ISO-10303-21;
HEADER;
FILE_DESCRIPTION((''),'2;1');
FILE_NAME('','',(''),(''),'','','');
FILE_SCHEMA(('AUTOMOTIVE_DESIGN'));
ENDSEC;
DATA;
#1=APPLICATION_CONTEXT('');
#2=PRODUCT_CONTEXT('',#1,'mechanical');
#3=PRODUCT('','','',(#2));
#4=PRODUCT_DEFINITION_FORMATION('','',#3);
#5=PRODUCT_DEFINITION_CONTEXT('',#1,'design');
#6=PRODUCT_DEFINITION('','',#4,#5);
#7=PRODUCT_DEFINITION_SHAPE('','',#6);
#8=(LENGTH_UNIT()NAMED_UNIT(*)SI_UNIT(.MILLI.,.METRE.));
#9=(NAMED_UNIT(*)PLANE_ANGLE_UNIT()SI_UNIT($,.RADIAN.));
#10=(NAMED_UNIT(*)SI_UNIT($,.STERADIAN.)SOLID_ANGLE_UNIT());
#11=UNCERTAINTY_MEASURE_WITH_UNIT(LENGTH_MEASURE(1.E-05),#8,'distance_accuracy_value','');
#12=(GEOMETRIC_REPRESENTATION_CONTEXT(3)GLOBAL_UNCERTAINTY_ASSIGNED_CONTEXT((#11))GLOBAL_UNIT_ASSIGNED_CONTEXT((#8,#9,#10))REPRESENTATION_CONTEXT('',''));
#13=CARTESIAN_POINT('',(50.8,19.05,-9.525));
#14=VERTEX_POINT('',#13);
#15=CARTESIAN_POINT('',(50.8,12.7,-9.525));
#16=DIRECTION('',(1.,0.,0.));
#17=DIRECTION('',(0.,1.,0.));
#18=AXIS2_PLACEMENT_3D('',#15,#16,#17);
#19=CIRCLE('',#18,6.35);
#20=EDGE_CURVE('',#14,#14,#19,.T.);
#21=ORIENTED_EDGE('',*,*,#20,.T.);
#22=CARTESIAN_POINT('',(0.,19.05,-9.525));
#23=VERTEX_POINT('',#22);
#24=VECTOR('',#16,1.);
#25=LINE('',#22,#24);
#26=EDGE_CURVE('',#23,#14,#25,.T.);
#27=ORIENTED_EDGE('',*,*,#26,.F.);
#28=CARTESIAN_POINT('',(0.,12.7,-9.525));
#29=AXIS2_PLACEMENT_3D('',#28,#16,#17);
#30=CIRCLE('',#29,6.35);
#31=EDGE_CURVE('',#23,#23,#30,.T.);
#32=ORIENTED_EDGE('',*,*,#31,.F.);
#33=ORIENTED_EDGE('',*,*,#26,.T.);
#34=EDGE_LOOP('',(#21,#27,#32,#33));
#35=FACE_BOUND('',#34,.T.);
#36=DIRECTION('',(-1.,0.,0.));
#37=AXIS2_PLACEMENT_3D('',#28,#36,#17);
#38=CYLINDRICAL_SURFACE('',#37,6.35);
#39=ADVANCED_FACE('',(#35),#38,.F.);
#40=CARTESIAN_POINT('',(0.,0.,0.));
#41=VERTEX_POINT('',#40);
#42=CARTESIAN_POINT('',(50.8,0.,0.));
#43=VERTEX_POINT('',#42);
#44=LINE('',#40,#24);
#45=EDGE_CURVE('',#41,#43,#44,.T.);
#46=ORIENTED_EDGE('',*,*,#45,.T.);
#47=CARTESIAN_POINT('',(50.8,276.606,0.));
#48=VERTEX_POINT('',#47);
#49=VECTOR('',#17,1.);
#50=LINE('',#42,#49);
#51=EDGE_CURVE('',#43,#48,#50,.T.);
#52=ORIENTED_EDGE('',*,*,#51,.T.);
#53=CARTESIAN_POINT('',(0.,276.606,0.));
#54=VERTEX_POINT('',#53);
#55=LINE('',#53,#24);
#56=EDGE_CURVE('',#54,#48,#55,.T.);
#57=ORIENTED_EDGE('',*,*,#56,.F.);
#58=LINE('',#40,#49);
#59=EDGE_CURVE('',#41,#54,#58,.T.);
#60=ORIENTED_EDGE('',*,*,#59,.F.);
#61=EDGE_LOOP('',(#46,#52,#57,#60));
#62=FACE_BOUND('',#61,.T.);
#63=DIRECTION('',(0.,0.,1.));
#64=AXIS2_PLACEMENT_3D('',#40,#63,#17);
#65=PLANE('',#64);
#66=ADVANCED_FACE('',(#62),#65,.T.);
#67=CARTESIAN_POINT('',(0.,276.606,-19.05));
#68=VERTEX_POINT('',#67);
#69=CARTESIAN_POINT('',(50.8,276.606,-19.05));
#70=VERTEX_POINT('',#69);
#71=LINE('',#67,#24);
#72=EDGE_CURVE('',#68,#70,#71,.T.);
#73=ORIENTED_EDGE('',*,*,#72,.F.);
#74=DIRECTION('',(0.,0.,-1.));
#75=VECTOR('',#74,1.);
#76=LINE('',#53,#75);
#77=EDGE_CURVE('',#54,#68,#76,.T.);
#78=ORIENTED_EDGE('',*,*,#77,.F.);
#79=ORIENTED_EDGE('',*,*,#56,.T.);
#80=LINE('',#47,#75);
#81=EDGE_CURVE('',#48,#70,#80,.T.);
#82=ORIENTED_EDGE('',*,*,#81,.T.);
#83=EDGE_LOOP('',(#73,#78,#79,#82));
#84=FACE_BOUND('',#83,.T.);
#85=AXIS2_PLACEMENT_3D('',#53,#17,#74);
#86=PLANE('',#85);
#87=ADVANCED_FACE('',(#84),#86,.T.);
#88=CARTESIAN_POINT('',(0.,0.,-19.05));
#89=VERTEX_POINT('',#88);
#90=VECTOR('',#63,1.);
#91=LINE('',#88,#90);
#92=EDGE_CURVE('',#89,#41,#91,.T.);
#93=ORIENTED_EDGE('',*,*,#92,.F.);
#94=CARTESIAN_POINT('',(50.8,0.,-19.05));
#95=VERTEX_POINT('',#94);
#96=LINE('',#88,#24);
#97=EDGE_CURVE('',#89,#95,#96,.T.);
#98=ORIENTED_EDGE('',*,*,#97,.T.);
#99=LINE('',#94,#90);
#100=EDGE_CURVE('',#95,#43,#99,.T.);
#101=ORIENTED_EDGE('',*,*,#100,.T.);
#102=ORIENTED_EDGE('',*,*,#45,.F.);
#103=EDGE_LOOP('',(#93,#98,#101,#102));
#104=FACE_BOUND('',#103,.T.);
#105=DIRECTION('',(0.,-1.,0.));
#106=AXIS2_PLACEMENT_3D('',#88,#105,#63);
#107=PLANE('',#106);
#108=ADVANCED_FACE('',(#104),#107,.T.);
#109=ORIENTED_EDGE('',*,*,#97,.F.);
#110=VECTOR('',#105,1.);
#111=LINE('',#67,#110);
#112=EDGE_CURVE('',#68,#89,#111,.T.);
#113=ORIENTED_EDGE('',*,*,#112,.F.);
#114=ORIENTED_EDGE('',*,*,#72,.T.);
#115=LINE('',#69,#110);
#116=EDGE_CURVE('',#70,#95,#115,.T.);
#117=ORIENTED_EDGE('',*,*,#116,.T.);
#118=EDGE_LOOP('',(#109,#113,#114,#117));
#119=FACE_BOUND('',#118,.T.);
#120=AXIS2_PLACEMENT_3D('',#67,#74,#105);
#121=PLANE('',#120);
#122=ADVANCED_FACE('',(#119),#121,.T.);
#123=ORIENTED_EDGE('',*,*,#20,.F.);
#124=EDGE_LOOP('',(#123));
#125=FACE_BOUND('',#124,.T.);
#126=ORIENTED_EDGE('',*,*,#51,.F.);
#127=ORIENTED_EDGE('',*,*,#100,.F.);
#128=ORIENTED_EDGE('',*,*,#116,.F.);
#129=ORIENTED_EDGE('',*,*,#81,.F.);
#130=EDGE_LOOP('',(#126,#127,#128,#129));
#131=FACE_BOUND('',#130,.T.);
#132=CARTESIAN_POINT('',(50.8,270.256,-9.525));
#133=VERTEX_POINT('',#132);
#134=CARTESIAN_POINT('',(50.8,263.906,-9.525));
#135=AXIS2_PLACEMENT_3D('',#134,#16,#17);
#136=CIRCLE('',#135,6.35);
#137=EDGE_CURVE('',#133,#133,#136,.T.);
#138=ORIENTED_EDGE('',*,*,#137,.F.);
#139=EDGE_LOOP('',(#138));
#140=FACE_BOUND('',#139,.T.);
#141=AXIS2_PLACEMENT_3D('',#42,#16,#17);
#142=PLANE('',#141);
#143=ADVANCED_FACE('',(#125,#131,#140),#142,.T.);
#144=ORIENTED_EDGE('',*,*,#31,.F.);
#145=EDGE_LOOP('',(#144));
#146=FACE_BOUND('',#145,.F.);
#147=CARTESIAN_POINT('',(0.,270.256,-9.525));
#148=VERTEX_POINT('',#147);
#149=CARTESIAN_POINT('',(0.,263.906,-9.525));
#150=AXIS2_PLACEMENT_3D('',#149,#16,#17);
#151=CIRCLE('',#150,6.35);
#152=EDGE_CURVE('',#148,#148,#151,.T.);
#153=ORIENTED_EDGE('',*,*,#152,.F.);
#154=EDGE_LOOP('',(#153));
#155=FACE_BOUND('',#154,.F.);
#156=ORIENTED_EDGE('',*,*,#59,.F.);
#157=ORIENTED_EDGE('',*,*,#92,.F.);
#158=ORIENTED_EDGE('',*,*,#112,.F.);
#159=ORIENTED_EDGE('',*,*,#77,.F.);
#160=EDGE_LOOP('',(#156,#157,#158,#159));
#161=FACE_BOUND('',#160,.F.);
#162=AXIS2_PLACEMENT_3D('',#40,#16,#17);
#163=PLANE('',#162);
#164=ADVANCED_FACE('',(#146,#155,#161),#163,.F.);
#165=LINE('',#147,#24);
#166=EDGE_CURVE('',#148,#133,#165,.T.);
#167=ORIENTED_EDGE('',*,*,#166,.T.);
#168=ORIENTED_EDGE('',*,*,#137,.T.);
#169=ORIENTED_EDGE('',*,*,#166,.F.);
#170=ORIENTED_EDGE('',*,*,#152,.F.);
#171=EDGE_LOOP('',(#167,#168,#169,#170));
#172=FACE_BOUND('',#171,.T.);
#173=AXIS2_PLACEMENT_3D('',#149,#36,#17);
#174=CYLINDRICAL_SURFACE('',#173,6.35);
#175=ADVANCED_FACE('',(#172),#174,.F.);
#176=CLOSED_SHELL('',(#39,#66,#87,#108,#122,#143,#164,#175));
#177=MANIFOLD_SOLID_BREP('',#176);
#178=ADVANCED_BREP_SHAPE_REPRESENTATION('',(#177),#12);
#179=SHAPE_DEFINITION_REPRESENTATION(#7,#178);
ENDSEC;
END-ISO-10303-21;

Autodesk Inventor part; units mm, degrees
ref_plane "YZ Plane" through (0, 0, 0) normal (1, 0, 0) x (0, 1, 0)
ref_plane "XZ Plane" through (0, 0, 0) normal (0, 1, 0) x (-1, 0, 0)
ref_plane "XY Plane" through (0, 0, 0) normal (0, 0, 1) x (1, 0, 0)
sketch "Sketch1" plane through (0, 0, 0) normal (1, 0, 0) x (0, 1, 0)
  line L0 (0, 0) -> (276.606, 0)
  line L1 (276.606, 0) -> (276.606, -19.05)
  line L2 (276.606, -19.05) -> (0, -19.05)
  line L3 (0, -19.05) -> (0, 0)
  circle A0 centre (263.906, -9.525) radius 6.35
  circle A1 centre (12.7, -9.525) radius 6.35
  dimension "d0" = 276.606
  dimension "d1" = 19.05
  dimension "d2" = 12.7
  dimension "d3" = 12.7
  dimension "d4" = 12.7
  dimension "d5" = 12.7
extrude "Extrusion1" add sketch "Sketch1" along normal blind 50.8
equation "\"d5\" = d4"
properties part number "ArmProto"
